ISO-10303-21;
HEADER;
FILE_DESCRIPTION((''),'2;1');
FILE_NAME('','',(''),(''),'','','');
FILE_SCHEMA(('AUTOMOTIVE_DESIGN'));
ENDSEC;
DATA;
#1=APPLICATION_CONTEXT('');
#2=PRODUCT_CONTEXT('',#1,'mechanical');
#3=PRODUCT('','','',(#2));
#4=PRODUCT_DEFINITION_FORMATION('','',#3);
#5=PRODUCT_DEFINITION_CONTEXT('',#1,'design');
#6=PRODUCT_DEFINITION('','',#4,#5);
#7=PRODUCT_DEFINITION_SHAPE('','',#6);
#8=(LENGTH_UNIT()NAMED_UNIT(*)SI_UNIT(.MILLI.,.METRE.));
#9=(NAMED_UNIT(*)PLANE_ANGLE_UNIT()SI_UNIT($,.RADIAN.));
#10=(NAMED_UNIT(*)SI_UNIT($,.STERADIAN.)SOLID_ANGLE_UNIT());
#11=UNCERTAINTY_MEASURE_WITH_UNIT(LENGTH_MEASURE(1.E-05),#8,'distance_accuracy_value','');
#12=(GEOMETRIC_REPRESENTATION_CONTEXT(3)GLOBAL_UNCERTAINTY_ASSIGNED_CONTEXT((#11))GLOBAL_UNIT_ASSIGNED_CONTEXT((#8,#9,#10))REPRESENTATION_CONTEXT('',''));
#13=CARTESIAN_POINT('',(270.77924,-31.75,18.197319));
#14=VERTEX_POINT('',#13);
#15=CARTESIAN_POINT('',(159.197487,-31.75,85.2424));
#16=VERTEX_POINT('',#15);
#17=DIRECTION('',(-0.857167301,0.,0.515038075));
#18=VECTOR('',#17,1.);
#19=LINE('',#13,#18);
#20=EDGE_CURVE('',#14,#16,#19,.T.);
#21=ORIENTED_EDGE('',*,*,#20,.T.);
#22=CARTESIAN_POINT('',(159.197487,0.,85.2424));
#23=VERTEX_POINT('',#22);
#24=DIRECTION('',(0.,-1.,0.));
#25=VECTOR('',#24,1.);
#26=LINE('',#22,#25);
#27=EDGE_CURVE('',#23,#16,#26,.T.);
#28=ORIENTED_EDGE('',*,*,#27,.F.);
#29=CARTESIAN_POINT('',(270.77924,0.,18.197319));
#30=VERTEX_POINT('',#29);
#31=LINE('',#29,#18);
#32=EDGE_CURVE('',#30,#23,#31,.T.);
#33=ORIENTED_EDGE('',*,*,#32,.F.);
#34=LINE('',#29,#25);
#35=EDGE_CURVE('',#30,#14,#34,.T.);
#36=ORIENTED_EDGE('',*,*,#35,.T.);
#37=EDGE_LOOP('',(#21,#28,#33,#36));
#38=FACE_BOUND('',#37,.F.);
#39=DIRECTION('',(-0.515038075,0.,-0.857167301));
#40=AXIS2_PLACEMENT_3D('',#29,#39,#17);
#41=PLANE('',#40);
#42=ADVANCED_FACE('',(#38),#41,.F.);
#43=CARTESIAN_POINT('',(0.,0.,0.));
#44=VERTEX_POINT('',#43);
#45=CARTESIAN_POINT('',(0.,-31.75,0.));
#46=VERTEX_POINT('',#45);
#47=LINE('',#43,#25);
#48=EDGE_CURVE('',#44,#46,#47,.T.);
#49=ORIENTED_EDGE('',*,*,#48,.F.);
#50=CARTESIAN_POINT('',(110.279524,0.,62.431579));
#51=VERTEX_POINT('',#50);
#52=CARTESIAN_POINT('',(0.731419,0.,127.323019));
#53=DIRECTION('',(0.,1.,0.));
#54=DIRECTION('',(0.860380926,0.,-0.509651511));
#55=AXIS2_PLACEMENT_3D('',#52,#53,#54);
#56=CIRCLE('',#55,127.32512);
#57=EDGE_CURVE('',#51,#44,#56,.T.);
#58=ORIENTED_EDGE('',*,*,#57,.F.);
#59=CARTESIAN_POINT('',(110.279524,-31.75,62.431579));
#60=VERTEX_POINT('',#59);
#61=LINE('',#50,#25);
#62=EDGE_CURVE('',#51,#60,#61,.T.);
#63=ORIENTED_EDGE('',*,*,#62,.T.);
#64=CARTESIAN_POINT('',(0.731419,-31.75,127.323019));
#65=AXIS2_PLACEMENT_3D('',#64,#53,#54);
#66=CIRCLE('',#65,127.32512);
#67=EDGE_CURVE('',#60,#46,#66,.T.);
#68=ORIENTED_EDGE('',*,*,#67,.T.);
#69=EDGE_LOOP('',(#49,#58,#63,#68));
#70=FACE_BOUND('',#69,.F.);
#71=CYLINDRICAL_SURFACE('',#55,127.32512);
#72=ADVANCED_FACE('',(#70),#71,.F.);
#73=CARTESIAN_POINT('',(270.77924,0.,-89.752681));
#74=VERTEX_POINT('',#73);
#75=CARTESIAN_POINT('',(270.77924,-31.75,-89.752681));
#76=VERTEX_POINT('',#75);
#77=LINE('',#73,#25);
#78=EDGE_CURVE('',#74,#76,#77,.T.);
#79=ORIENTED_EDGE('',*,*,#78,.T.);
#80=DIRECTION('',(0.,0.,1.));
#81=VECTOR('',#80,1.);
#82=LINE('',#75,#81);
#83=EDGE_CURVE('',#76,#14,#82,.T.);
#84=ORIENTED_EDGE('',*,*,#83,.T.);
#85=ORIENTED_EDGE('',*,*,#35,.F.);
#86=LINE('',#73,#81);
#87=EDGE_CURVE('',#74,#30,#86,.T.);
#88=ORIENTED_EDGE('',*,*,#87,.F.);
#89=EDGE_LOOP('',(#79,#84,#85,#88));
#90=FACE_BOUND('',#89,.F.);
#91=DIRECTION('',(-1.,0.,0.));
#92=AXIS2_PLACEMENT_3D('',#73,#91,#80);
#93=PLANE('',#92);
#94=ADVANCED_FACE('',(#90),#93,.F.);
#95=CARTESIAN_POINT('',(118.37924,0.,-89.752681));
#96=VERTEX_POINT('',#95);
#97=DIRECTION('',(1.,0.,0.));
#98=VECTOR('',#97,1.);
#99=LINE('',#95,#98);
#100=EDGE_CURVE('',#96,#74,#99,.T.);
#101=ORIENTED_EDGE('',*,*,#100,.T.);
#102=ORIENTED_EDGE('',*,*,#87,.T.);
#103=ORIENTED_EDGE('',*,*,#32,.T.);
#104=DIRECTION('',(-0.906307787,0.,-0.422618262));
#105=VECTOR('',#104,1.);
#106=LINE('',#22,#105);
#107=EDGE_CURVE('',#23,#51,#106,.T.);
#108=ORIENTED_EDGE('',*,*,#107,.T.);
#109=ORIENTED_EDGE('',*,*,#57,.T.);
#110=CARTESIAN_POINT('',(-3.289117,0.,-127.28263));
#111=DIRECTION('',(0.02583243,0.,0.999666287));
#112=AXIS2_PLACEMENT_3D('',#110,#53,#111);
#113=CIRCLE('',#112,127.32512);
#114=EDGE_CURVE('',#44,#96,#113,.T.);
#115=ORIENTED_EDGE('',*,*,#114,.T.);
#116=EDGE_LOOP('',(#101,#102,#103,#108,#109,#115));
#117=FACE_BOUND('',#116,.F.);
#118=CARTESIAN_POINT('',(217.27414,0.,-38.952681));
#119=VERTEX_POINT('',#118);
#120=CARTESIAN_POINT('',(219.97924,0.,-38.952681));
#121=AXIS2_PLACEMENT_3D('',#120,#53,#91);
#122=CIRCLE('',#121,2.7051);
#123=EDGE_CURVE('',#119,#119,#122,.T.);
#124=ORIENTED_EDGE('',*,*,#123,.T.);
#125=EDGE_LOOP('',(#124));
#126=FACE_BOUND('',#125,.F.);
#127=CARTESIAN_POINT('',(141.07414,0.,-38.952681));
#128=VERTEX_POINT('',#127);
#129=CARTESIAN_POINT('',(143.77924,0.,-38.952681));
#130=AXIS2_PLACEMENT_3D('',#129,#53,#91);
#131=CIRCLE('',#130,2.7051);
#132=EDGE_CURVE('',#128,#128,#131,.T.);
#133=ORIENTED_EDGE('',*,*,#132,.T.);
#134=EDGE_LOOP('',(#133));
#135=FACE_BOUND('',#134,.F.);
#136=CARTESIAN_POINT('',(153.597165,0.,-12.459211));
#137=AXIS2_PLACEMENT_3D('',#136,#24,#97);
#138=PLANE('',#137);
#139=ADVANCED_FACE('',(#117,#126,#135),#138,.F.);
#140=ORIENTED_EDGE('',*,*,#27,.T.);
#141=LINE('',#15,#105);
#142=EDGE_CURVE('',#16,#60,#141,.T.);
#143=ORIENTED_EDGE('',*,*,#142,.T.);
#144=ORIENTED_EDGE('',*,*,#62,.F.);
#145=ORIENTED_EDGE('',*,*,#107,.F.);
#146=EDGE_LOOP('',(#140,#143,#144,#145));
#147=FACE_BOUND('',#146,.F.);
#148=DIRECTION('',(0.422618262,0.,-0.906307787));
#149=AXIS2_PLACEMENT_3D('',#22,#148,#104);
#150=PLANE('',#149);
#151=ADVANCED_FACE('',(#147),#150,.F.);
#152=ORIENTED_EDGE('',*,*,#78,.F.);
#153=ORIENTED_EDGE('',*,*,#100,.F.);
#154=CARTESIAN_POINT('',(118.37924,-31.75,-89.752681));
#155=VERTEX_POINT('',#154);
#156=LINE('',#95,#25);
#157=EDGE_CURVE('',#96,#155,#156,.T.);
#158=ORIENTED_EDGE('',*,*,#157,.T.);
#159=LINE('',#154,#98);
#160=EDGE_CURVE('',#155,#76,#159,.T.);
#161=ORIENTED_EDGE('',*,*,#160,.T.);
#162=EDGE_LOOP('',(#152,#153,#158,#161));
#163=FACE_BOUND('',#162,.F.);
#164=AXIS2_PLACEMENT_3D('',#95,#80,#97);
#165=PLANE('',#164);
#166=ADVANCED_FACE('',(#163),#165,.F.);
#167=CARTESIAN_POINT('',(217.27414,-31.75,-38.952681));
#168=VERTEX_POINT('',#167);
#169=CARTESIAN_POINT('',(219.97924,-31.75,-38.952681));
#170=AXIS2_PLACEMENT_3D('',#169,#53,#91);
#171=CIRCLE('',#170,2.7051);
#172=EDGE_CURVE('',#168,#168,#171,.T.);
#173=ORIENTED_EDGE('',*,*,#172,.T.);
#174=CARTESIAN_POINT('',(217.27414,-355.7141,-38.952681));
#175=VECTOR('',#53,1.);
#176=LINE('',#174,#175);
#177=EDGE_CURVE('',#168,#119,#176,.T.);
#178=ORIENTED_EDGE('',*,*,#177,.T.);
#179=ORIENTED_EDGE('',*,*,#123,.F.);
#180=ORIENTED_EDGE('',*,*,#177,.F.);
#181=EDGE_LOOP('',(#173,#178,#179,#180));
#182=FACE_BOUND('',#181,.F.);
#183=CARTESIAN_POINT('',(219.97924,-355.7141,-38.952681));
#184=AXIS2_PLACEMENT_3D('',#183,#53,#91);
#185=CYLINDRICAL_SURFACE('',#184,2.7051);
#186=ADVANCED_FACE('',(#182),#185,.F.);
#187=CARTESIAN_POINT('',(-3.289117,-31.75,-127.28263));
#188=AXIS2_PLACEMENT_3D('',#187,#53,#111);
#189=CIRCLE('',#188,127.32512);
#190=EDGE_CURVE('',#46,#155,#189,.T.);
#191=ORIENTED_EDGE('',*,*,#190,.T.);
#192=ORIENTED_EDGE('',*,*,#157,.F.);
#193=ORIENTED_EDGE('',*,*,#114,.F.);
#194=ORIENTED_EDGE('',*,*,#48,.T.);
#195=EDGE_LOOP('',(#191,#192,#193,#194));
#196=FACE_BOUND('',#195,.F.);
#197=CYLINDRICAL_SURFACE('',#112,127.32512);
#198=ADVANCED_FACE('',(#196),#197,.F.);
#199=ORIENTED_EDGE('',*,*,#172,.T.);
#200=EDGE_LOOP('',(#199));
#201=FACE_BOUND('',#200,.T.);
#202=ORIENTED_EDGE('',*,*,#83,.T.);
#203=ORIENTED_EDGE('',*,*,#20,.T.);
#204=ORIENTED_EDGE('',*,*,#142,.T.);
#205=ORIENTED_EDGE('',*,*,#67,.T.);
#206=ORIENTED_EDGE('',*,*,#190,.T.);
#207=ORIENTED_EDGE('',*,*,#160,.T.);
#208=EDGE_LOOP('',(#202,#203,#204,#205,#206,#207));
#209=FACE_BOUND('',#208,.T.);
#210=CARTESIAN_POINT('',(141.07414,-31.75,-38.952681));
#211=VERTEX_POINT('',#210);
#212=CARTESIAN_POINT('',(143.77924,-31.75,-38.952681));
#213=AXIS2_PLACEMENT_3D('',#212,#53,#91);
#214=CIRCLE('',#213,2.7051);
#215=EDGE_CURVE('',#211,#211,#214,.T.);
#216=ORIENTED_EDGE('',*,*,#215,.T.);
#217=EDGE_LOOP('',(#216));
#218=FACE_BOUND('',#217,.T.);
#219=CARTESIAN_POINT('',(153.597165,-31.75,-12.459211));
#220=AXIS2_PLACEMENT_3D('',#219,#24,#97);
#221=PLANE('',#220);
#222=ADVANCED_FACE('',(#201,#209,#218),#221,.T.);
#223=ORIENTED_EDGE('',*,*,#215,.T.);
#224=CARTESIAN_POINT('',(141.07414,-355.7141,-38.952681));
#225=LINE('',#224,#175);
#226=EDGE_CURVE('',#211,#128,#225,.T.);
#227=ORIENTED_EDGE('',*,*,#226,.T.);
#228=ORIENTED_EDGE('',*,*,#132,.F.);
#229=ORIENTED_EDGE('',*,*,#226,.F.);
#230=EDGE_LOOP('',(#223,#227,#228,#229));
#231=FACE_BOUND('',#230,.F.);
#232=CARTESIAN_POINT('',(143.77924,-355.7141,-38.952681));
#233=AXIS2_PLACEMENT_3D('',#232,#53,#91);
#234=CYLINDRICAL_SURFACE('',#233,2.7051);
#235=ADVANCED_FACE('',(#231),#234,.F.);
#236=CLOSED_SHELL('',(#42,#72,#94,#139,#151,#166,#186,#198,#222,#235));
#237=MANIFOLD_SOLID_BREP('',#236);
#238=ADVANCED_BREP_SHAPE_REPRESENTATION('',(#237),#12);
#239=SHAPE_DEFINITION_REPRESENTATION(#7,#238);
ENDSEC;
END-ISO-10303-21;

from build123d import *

# Parameters (mm, degrees)
F1_DEPTH = 31.75
F3_D     = 5.4102


with BuildPart() as f1:
    # F0 (on Front) → F1 (new body)
    with BuildSketch(Plane.XZ):
        with BuildLine():
            Line((159.1974866311, 85.2424), (110.2795238258, 62.4315793225))
            ThreePointArc((110.2795238258, 62.4315793225), (63.4585527357, 16.521426637), (0, 0))
            ThreePointArc((0, 0), (73.6360318528, -25.8222553056), (118.37924, -89.7526814014))
            Line((118.37924, -89.7526814014), (270.77924, -89.7526814014))
            Line((270.77924, -89.7526814014), (270.77924, 18.1973185986))
            Line((270.77924, 18.1973185986), (159.1974866311, 85.2424))
        make_face()
    extrude(amount=F1_DEPTH)

    # F3 (through all)
    with Locations(Plane.XZ.offset(31.75)):
        with Locations((143.77924, -38.9526814014), (219.97924, -38.9526814014)):
            Hole(F3_D / 2)


solid = f1.part
